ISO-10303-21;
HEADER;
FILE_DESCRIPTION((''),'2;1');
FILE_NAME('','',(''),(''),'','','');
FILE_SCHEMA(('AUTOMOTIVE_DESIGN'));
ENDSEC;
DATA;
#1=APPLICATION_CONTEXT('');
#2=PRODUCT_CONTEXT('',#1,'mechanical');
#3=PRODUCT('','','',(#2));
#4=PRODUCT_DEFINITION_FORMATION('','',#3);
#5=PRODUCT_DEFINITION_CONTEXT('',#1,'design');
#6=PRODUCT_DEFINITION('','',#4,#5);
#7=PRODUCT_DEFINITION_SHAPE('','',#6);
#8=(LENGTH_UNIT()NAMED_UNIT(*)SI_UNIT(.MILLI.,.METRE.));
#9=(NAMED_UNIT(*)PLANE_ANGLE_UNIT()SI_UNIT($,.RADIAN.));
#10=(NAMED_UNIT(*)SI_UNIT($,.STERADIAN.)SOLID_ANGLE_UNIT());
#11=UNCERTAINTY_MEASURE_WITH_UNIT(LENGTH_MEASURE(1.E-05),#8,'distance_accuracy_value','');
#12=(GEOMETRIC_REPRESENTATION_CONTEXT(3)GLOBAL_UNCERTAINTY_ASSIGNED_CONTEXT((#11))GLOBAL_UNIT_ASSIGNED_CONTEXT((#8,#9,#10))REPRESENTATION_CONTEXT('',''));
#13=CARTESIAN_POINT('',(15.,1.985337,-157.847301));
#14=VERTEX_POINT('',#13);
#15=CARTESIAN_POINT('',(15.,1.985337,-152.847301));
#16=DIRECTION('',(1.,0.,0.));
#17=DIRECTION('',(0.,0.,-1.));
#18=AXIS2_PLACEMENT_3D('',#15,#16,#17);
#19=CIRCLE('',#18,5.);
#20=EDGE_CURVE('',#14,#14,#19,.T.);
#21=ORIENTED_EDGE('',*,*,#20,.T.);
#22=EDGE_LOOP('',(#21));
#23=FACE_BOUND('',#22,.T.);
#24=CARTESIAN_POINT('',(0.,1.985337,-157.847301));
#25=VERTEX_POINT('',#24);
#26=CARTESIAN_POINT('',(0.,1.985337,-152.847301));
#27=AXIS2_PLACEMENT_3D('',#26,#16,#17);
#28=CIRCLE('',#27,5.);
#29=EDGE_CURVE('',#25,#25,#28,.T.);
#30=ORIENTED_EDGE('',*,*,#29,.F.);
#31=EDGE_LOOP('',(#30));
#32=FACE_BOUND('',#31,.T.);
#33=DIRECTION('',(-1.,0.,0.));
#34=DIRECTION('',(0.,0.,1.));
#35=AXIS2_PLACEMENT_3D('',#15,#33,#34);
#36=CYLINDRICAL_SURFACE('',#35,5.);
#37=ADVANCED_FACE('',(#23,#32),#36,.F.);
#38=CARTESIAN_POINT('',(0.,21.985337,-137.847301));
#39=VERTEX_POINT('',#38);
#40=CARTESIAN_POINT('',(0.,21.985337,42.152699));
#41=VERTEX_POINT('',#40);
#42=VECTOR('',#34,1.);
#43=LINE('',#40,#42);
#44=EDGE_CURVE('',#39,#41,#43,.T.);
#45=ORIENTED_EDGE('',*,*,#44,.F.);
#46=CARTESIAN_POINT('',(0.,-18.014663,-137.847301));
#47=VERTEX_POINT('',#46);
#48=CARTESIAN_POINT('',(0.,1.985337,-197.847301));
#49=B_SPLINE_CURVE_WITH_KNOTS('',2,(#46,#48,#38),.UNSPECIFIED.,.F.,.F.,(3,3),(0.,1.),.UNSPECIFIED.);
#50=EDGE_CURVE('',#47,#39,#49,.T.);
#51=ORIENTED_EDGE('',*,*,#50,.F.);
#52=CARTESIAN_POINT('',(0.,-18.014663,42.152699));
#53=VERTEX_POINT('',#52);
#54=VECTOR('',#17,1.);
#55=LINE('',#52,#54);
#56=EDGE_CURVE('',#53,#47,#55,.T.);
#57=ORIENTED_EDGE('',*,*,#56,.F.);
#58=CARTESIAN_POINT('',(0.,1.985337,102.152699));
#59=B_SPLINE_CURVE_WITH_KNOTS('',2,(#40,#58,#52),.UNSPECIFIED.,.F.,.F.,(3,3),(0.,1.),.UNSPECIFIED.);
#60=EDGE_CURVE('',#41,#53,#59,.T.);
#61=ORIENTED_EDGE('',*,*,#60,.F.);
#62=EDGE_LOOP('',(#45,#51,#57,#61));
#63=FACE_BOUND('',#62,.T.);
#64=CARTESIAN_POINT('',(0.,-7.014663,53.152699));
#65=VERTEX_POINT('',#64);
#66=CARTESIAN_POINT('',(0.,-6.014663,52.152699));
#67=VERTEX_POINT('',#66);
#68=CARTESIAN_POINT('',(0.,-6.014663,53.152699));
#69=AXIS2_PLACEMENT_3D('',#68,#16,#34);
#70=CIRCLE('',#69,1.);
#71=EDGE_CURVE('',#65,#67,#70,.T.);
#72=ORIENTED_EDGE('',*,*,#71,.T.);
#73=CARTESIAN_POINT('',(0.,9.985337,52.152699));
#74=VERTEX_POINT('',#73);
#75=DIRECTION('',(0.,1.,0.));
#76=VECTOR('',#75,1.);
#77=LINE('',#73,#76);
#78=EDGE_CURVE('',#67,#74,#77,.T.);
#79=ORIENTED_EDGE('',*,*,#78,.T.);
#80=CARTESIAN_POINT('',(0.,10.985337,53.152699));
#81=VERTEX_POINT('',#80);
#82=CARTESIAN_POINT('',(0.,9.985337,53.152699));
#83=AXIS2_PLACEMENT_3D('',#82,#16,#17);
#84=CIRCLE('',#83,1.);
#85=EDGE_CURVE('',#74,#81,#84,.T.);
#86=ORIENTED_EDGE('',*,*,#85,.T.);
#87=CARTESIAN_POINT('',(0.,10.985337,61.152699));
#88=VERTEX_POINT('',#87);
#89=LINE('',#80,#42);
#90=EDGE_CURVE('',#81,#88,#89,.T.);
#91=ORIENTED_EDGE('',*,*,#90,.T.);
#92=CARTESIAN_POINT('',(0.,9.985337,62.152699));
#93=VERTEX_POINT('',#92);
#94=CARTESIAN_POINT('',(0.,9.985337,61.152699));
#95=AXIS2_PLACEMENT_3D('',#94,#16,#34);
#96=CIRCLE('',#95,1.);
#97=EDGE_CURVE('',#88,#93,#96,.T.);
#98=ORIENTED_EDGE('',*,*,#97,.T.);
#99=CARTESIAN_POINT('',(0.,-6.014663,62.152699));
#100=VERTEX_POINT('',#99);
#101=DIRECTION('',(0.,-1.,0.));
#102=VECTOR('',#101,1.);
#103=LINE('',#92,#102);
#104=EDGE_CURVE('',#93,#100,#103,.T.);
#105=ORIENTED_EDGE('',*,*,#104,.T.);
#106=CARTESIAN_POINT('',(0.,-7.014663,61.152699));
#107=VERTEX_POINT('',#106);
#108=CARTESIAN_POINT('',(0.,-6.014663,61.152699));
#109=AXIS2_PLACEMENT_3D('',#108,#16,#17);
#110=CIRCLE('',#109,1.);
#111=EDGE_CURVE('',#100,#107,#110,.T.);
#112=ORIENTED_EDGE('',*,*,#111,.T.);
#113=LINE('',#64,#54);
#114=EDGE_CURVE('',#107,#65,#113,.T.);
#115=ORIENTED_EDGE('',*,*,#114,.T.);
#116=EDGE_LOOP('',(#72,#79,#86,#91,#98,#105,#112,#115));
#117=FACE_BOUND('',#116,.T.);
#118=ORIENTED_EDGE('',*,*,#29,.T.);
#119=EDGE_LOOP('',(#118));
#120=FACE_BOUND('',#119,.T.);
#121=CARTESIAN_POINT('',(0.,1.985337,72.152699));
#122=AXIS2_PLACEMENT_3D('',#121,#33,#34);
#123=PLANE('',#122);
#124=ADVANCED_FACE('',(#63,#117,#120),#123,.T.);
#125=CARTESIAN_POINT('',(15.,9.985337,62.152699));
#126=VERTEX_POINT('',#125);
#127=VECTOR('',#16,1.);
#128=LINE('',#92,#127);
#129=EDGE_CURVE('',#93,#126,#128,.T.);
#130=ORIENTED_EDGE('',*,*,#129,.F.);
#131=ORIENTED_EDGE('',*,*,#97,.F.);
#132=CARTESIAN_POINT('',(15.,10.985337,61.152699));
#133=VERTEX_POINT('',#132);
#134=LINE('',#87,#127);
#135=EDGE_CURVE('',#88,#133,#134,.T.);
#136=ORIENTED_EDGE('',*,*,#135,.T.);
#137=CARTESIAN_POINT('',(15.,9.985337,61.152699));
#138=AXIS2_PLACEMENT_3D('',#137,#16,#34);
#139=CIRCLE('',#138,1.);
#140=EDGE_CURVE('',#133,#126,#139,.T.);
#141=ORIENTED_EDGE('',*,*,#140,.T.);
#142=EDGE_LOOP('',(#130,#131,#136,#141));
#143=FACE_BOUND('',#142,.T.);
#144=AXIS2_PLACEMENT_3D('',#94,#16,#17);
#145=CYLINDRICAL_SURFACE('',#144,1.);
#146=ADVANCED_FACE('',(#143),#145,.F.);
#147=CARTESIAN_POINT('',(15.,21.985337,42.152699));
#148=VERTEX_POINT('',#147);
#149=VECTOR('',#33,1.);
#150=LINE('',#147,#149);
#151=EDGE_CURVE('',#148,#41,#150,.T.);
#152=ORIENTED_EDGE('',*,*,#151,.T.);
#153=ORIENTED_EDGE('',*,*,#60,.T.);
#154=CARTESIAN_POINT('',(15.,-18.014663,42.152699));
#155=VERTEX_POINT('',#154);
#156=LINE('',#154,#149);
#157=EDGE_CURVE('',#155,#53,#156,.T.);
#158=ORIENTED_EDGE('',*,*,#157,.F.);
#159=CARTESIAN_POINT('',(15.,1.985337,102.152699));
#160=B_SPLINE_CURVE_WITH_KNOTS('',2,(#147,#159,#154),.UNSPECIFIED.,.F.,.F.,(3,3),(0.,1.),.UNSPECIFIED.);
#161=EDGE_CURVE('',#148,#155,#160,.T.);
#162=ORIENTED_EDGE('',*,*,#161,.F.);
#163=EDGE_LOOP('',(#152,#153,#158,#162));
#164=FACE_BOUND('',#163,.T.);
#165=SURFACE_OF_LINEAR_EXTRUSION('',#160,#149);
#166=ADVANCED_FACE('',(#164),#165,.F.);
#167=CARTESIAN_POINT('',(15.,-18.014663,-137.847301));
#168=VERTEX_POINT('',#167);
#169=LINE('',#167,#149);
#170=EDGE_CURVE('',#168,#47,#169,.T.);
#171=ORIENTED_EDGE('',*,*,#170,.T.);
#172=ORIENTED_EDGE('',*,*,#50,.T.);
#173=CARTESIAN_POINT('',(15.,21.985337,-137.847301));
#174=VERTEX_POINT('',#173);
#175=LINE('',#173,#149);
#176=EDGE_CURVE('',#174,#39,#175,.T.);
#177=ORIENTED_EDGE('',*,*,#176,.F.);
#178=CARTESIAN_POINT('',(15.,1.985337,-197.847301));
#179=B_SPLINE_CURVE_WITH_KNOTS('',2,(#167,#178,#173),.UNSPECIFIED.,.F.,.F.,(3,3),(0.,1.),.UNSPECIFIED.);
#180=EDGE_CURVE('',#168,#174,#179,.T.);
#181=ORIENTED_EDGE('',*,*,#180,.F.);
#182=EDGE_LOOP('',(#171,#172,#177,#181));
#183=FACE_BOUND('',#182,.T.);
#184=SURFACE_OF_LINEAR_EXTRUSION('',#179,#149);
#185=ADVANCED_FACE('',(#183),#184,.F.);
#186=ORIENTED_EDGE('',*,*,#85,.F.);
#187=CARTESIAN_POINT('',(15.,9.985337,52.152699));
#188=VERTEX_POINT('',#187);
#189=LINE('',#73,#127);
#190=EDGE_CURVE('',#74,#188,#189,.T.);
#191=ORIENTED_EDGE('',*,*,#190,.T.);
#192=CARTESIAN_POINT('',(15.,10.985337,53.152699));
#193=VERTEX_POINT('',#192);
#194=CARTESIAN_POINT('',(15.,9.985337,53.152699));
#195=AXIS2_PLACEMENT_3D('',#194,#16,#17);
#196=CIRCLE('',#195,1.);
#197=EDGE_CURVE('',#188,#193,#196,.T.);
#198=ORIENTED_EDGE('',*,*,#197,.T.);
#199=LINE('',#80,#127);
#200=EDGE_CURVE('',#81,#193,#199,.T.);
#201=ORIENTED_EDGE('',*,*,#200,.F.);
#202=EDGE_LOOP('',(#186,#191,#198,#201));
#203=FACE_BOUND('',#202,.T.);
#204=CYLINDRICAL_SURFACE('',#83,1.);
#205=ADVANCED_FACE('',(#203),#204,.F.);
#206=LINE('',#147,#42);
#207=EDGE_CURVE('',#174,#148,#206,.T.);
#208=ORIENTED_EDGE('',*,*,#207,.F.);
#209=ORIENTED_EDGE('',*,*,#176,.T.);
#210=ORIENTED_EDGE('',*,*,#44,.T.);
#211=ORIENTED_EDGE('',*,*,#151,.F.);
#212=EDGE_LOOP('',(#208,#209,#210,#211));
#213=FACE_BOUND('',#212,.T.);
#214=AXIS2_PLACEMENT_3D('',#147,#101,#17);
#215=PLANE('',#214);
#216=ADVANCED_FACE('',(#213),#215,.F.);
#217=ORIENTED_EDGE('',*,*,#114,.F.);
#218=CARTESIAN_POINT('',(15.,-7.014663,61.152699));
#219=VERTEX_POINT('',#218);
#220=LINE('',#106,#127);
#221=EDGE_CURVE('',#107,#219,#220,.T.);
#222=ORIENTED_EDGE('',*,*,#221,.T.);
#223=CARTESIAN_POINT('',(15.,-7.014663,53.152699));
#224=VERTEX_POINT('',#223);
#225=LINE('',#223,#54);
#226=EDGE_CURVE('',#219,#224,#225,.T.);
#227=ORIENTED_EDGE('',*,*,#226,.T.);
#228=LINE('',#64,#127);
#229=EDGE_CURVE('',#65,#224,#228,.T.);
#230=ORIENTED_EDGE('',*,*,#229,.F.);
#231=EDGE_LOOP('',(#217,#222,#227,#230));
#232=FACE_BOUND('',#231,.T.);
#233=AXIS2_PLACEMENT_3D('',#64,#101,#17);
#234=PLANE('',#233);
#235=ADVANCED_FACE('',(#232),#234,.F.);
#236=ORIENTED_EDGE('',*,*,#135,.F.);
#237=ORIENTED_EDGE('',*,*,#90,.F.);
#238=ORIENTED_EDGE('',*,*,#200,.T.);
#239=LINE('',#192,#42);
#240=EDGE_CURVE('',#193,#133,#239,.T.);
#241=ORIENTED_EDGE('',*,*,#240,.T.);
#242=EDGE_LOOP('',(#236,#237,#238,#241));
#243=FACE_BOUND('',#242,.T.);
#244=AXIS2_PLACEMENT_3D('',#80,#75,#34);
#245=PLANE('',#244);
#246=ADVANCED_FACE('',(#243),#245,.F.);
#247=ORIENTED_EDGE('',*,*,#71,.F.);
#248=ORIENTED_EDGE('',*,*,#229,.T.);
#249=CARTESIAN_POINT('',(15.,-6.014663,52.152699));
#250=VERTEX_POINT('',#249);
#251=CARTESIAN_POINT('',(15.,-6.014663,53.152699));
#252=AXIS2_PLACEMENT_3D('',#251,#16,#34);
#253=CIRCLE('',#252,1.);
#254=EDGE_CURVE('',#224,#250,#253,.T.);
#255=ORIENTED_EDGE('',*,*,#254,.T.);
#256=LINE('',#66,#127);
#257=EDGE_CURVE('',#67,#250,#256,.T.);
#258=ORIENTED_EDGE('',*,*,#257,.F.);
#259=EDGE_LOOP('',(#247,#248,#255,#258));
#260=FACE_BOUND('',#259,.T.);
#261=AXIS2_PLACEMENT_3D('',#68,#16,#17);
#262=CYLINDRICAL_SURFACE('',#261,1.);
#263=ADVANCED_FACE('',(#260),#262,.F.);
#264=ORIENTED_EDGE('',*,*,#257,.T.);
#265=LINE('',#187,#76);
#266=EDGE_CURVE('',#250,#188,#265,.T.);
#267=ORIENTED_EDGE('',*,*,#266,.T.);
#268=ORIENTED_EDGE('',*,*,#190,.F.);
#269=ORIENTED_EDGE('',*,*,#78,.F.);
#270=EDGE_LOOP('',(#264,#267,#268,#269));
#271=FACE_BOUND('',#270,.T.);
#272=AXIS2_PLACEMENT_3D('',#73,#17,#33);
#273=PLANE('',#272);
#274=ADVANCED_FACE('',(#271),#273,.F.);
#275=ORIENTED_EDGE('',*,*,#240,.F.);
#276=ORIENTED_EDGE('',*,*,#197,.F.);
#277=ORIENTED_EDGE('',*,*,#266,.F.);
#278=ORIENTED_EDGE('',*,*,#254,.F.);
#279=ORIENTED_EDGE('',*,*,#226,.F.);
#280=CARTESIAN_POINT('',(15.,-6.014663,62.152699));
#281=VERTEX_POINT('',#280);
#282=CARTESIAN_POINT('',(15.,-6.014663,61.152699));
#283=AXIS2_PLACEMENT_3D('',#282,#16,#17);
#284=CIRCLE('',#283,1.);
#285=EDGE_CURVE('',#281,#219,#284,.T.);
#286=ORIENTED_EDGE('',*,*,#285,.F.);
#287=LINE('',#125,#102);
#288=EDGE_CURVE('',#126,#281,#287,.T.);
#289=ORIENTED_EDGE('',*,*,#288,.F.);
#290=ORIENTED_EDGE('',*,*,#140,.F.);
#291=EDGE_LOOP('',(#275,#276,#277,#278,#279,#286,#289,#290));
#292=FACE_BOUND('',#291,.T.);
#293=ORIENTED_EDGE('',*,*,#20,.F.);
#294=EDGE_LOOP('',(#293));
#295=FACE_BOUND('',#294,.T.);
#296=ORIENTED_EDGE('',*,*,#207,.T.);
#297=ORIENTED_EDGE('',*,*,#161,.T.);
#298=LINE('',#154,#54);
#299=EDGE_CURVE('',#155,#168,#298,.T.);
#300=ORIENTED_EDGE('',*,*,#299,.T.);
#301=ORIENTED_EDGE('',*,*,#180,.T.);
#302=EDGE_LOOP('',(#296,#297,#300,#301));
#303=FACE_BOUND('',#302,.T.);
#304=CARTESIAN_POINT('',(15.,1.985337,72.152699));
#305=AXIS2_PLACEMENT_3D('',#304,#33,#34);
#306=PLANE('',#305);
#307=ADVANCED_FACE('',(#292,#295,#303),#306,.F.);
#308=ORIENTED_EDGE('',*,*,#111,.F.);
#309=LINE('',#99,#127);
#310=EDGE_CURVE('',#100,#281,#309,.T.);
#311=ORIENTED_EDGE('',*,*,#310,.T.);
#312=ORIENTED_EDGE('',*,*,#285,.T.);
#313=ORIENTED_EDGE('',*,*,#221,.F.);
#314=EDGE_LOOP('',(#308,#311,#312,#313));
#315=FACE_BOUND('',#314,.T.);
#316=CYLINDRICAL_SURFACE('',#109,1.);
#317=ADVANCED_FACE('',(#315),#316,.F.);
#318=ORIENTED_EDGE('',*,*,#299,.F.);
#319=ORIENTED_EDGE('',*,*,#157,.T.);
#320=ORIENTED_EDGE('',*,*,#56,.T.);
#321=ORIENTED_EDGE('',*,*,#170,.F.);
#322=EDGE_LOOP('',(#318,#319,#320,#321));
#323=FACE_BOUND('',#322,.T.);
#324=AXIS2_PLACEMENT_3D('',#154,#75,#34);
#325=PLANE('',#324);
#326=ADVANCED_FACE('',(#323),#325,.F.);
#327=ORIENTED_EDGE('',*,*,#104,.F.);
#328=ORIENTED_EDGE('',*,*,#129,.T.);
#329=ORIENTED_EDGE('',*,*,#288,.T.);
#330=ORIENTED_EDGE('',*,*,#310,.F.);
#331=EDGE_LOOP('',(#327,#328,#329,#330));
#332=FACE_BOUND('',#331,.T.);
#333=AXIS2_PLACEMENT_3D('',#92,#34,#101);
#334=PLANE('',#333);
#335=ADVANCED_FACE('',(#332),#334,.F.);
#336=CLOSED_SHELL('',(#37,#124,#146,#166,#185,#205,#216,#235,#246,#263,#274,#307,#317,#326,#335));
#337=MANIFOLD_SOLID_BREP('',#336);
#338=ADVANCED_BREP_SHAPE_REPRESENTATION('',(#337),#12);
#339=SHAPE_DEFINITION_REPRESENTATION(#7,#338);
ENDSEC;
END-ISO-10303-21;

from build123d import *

# Parameters (mm, degrees)
SKETCH1_R           = 5
BOSS_EXTRUDE1_DEPTH = 15
CUT_EXTRUDE1_DEPTH  = 15


with BuildPart() as part:
    # Sketch1 → Boss-Extrude1 (new body)
    with BuildSketch(Plane(origin=(0, 0, 0), x_dir=(0, 0, -1), z_dir=(1, 0, 0))):
        with BuildLine():
            Line((-42.152698982, 21.985337207), (137.847301018, 21.985337207))
            add(Edge.make_bspline(
                [(137.847301018, 21.985337207), (197.847301018, 1.985337207), (137.847301018, -18.014662793)],
                knots=[0, 0, 0, 1, 1, 1], degree=2))
            Line((137.847301018, -18.014662793), (-42.152698982, -18.014662793))
            add(Edge.make_bspline(
                [(-42.152698982, 21.985337207), (-102.152698982, 1.985337207), (-42.152698982, -18.014662793)],
                knots=[0, 0, 0, 1, 1, 1], degree=2))
        make_face()
        with Locations((-57.152698982, 1.985337207)):
            Circle(SKETCH1_R, mode=Mode.SUBTRACT)
        with Locations((152.847301018, 1.985337207)):
            Circle(SKETCH1_R, mode=Mode.SUBTRACT)
    extrude(amount=BOSS_EXTRUDE1_DEPTH)

    # Sketch3 → Cut-Extrude1 (cut)
    with BuildSketch(Plane(origin=(15, 0, 0), x_dir=(0, 0, -1), z_dir=(1, 0, 0))):
        with BuildLine():
            Line((-53.152698982, 10.985337207), (-61.152698982, 10.985337207))
            ThreePointArc((-61.152698982, 10.985337207), (-61.859805763, 10.692443988), (-62.152698982, 9.985337207))
            Line((-62.152698982, 9.985337207), (-62.152698982, -6.014662793))
            ThreePointArc((-62.152698982, -6.014662793), (-61.859805763, -6.721769574), (-61.152698982, -7.014662793))
            Line((-61.152698982, -7.014662793), (-53.152698982, -7.014662793))
            ThreePointArc((-53.152698982, -7.014662793), (-52.4455922, -6.721769574), (-52.152698982, -6.014662793))
            Line((-52.152698982, -6.014662793), (-52.152698982, 9.985337207))
            ThreePointArc((-52.152698982, 9.985337207), (-52.4455922, 10.692443988), (-53.152698982, 10.985337207))
        make_face()
    extrude(amount=-CUT_EXTRUDE1_DEPTH, mode=Mode.SUBTRACT)


solid = part.part
